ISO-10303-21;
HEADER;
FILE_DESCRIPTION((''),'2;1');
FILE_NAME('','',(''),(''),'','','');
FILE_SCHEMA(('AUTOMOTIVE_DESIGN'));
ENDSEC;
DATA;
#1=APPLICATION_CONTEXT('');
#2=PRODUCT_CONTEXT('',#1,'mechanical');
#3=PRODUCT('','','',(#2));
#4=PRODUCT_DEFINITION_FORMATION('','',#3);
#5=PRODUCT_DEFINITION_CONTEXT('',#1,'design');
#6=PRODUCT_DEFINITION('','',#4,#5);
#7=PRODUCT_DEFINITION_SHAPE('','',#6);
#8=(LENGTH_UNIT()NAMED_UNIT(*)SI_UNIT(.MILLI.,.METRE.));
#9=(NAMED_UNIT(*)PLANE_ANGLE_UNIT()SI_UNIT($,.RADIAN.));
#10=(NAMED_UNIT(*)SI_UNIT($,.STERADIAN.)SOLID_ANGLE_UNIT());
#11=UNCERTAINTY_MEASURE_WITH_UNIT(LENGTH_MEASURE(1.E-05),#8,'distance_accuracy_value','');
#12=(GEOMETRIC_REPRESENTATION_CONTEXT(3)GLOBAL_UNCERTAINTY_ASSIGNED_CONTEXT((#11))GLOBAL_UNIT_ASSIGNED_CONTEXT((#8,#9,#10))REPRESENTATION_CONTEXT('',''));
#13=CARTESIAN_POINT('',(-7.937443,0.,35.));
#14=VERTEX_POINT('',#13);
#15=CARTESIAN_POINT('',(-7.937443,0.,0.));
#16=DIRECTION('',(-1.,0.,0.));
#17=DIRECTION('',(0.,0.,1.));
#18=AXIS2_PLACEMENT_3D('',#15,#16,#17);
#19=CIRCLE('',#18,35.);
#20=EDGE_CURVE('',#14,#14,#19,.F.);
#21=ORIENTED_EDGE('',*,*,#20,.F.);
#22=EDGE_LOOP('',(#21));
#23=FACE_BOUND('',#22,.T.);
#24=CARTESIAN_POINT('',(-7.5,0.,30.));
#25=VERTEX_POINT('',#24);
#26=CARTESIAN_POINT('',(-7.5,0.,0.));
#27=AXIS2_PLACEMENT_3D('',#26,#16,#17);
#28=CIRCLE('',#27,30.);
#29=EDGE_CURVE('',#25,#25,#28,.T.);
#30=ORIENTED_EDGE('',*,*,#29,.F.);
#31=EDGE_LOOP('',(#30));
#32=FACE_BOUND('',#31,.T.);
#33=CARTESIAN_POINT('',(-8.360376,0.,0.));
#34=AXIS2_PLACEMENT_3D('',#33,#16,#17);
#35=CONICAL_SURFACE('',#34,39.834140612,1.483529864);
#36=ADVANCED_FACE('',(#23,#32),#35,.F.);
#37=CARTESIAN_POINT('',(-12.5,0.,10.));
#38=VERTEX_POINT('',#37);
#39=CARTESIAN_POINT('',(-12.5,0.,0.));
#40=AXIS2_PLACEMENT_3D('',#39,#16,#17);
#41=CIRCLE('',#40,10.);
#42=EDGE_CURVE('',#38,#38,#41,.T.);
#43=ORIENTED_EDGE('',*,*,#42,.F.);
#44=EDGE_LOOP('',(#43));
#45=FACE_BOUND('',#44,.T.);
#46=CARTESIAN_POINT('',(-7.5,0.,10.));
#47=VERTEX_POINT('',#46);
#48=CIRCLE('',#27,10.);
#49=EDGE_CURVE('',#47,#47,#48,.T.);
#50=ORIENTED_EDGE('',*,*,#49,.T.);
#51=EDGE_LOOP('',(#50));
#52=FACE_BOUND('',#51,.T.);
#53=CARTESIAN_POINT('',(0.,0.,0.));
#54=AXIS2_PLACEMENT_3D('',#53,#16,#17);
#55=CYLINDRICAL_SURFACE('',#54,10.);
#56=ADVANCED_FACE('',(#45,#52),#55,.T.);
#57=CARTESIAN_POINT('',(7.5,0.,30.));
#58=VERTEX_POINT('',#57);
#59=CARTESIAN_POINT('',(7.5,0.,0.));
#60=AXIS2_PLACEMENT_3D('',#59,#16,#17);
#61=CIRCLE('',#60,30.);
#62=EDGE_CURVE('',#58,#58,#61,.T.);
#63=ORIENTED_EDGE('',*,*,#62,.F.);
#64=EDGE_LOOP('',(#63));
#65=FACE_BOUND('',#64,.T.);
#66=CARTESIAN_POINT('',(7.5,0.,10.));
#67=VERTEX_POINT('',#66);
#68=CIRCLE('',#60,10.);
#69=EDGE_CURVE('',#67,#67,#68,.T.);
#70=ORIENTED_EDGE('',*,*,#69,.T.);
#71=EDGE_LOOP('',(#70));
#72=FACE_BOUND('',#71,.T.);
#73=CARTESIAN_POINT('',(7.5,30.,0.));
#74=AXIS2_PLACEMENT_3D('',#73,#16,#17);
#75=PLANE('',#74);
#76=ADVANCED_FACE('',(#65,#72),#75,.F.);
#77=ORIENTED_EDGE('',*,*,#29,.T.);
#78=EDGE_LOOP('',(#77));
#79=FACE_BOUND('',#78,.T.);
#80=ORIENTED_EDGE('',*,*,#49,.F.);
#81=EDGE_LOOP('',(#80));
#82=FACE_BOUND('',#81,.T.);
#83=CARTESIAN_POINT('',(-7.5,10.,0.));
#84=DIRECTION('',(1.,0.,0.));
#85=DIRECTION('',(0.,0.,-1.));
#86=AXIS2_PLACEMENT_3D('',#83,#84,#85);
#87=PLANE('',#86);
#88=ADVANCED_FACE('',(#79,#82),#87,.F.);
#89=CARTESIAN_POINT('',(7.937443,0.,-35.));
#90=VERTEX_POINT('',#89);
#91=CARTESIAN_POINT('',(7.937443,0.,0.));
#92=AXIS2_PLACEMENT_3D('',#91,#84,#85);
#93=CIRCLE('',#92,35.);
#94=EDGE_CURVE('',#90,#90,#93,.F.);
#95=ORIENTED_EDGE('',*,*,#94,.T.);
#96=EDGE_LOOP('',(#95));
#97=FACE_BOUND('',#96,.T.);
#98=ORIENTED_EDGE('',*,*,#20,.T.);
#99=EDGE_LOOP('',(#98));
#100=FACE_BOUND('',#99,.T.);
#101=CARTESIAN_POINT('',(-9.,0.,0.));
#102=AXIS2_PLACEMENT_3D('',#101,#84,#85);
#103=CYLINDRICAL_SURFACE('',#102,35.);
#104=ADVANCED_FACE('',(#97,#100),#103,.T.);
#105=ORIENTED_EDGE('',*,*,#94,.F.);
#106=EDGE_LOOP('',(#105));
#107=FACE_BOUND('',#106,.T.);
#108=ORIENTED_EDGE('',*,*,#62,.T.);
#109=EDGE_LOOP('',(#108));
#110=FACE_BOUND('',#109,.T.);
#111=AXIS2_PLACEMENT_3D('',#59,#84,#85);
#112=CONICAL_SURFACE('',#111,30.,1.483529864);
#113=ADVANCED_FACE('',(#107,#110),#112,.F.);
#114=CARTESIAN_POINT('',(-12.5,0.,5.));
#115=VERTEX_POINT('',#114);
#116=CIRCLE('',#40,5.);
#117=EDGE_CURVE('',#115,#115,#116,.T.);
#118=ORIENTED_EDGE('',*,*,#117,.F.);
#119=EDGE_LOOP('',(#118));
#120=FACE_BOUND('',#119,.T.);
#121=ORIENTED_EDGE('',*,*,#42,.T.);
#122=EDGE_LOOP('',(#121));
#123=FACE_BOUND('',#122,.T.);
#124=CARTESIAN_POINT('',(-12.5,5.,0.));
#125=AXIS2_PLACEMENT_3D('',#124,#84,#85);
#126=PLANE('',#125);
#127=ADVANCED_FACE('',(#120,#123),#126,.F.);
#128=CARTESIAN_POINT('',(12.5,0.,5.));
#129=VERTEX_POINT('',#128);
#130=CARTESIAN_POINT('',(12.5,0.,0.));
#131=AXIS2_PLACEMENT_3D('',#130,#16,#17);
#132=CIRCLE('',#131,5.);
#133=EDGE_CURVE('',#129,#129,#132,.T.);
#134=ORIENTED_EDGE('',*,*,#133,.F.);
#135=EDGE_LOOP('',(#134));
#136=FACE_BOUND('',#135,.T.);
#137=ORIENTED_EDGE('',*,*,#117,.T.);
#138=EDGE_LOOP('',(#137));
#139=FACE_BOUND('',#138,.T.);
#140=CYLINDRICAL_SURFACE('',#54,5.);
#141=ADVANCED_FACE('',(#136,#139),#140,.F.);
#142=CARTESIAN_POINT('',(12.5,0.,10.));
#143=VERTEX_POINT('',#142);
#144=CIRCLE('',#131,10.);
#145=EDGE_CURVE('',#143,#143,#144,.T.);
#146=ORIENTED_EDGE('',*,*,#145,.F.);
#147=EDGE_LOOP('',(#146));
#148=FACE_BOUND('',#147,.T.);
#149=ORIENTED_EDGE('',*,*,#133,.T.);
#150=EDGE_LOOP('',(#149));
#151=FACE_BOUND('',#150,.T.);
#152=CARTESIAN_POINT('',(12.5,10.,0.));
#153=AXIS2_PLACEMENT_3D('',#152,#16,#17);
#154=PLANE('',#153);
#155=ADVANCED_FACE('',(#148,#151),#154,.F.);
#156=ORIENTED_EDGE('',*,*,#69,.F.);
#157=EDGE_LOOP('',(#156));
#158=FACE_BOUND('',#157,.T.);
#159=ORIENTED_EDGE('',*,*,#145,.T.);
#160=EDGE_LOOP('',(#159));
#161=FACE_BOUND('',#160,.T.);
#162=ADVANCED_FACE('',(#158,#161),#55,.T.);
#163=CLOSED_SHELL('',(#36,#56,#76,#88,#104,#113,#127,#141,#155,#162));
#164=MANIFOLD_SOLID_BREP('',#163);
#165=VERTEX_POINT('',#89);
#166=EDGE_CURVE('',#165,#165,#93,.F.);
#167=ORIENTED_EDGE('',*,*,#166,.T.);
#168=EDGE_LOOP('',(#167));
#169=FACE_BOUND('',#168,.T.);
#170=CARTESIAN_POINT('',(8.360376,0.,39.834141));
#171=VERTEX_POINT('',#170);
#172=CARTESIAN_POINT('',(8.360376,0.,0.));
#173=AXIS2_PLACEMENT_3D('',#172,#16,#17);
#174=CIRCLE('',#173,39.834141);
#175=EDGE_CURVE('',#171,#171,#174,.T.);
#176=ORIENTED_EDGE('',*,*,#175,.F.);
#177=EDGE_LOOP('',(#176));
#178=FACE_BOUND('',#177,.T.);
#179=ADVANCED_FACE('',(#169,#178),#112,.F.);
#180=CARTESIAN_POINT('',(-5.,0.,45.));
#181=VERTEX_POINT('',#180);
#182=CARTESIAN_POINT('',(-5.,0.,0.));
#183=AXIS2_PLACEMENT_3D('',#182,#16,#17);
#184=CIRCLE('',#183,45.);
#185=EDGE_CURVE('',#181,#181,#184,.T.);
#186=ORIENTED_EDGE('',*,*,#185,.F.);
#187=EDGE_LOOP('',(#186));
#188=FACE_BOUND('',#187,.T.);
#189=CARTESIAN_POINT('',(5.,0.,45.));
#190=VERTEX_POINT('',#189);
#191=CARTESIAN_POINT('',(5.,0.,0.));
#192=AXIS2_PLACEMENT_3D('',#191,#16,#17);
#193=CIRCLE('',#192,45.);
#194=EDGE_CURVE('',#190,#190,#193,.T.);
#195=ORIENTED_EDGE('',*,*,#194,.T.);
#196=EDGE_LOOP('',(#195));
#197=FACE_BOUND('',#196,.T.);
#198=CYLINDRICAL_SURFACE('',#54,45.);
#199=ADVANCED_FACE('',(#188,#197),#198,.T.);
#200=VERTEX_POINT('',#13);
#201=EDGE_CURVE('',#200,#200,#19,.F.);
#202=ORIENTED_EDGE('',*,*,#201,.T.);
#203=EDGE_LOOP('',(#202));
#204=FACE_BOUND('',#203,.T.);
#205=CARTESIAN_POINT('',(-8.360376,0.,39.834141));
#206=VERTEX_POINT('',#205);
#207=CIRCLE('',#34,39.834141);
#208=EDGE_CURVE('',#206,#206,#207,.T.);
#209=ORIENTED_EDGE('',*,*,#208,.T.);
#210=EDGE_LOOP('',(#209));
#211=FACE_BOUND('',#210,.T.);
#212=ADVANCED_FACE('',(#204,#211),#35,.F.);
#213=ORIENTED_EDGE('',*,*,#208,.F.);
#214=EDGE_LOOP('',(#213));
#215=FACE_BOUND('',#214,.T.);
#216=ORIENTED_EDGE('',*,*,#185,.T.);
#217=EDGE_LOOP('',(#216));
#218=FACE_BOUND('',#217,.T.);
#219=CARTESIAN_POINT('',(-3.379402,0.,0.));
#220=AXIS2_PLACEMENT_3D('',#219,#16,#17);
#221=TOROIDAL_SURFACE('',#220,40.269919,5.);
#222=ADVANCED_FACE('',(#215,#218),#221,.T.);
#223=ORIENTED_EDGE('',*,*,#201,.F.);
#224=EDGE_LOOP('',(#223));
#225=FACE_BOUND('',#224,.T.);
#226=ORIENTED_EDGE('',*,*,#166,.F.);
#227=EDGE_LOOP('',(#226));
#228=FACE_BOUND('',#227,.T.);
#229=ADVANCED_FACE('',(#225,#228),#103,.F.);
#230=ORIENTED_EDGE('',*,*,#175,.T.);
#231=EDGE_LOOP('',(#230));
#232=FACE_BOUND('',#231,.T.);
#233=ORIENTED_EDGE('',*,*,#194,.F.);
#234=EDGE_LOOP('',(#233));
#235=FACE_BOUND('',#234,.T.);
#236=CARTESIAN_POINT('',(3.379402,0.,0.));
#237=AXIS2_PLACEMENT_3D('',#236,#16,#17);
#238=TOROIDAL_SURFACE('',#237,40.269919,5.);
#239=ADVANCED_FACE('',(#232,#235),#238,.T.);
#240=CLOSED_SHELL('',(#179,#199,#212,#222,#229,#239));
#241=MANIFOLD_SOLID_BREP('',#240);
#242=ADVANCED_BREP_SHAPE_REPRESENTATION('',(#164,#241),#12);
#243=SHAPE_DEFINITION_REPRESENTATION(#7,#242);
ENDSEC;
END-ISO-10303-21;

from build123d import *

# Parameters (mm, degrees)
OBERFL_CHE_LINEAR_AUSTRAGEN1_1_BACK  = 9
OBERFL_CHE_LINEAR_AUSTRAGEN1_1_DEPTH = 18
OBERFL_CHE_LINEAR_AUSTRAGEN1_2_BACK  = 9
OBERFL_CHE_LINEAR_AUSTRAGEN1_2_DEPTH = 18


with BuildPart() as part:
    # Skizze1 → Rotation1 (revolve)
    with BuildSketch(Plane.XY, mode=Mode.PRIVATE) as rotation1_sk:
        with BuildLine():
            Line((-12.5, 5), (-12.5, 10))
            Line((-12.5, 10), (-7.5, 10))
            Line((-7.5, 10), (-7.5, 30))
            Line((-7.5, 30), (-8.360375819, 39.834140612))
            ThreePointArc((-8.360375819, 39.834140612), (-7.570668397, 42.996325154), (-5, 45))
            Line((-5, 45), (5, 45))
            ThreePointArc((5, 45), (7.570668397, 42.996325154), (8.360375819, 39.834140612))
            Line((8.360375819, 39.834140612), (7.5, 30))
            Line((7.5, 30), (7.5, 10))
            Line((7.5, 10), (12.5, 10))
            Line((12.5, 10), (12.5, 5))
            Line((12.5, 5), (-12.5, 5))
        make_face()
    revolve(rotation1_sk.sketch.rotate(Axis((0, 0, 0), (1, 0, 0)), 90), axis=Axis((0, 0, 0), (1, 0, 0)))  # turned: the seam where the file's is


with BuildPart() as body_2:
    # Abspalten1: the piece behind the surface
    add(part.part)
    # Oberfläche-Linear austragen1: a surface, the sketch's curves swept straight by 18 mm
    with BuildLine(Plane(origin=(0, 0, 0), x_dir=(0, 0, -1), z_dir=(1, 0, 0)).offset(-OBERFL_CHE_LINEAR_AUSTRAGEN1_1_BACK), mode=Mode.PRIVATE) as oberfl_che_linear_austragen1_1_path:
        CenterArc((0, 0), 35, 0, 360)
    oberfl_che_linear_austragen1_1 = Shell.extrude(oberfl_che_linear_austragen1_1_path.wire(), (1 * OBERFL_CHE_LINEAR_AUSTRAGEN1_1_DEPTH, 0 * OBERFL_CHE_LINEAR_AUSTRAGEN1_1_DEPTH, 0 * OBERFL_CHE_LINEAR_AUSTRAGEN1_1_DEPTH))
    split(bisect_by=oberfl_che_linear_austragen1_1, keep=Keep.BOTTOM)


with BuildPart() as part_1:
    add(part.part)

    # Abspalten1: split by a surface, the side it looks to stays
    # Oberfläche-Linear austragen1: a surface, the sketch's curves swept straight by 18 mm
    with BuildLine(Plane(origin=(0, 0, 0), x_dir=(0, 0, -1), z_dir=(1, 0, 0)).offset(-OBERFL_CHE_LINEAR_AUSTRAGEN1_2_BACK), mode=Mode.PRIVATE) as oberfl_che_linear_austragen1_2_path:
        CenterArc((0, 0), 35, 0, 360)
    oberfl_che_linear_austragen1_2 = Shell.extrude(oberfl_che_linear_austragen1_2_path.wire(), (1 * OBERFL_CHE_LINEAR_AUSTRAGEN1_2_DEPTH, 0 * OBERFL_CHE_LINEAR_AUSTRAGEN1_2_DEPTH, 0 * OBERFL_CHE_LINEAR_AUSTRAGEN1_2_DEPTH))
    split(bisect_by=oberfl_che_linear_austragen1_2, keep=Keep.TOP)


solid = Compound([body_2.part, part_1.part])
